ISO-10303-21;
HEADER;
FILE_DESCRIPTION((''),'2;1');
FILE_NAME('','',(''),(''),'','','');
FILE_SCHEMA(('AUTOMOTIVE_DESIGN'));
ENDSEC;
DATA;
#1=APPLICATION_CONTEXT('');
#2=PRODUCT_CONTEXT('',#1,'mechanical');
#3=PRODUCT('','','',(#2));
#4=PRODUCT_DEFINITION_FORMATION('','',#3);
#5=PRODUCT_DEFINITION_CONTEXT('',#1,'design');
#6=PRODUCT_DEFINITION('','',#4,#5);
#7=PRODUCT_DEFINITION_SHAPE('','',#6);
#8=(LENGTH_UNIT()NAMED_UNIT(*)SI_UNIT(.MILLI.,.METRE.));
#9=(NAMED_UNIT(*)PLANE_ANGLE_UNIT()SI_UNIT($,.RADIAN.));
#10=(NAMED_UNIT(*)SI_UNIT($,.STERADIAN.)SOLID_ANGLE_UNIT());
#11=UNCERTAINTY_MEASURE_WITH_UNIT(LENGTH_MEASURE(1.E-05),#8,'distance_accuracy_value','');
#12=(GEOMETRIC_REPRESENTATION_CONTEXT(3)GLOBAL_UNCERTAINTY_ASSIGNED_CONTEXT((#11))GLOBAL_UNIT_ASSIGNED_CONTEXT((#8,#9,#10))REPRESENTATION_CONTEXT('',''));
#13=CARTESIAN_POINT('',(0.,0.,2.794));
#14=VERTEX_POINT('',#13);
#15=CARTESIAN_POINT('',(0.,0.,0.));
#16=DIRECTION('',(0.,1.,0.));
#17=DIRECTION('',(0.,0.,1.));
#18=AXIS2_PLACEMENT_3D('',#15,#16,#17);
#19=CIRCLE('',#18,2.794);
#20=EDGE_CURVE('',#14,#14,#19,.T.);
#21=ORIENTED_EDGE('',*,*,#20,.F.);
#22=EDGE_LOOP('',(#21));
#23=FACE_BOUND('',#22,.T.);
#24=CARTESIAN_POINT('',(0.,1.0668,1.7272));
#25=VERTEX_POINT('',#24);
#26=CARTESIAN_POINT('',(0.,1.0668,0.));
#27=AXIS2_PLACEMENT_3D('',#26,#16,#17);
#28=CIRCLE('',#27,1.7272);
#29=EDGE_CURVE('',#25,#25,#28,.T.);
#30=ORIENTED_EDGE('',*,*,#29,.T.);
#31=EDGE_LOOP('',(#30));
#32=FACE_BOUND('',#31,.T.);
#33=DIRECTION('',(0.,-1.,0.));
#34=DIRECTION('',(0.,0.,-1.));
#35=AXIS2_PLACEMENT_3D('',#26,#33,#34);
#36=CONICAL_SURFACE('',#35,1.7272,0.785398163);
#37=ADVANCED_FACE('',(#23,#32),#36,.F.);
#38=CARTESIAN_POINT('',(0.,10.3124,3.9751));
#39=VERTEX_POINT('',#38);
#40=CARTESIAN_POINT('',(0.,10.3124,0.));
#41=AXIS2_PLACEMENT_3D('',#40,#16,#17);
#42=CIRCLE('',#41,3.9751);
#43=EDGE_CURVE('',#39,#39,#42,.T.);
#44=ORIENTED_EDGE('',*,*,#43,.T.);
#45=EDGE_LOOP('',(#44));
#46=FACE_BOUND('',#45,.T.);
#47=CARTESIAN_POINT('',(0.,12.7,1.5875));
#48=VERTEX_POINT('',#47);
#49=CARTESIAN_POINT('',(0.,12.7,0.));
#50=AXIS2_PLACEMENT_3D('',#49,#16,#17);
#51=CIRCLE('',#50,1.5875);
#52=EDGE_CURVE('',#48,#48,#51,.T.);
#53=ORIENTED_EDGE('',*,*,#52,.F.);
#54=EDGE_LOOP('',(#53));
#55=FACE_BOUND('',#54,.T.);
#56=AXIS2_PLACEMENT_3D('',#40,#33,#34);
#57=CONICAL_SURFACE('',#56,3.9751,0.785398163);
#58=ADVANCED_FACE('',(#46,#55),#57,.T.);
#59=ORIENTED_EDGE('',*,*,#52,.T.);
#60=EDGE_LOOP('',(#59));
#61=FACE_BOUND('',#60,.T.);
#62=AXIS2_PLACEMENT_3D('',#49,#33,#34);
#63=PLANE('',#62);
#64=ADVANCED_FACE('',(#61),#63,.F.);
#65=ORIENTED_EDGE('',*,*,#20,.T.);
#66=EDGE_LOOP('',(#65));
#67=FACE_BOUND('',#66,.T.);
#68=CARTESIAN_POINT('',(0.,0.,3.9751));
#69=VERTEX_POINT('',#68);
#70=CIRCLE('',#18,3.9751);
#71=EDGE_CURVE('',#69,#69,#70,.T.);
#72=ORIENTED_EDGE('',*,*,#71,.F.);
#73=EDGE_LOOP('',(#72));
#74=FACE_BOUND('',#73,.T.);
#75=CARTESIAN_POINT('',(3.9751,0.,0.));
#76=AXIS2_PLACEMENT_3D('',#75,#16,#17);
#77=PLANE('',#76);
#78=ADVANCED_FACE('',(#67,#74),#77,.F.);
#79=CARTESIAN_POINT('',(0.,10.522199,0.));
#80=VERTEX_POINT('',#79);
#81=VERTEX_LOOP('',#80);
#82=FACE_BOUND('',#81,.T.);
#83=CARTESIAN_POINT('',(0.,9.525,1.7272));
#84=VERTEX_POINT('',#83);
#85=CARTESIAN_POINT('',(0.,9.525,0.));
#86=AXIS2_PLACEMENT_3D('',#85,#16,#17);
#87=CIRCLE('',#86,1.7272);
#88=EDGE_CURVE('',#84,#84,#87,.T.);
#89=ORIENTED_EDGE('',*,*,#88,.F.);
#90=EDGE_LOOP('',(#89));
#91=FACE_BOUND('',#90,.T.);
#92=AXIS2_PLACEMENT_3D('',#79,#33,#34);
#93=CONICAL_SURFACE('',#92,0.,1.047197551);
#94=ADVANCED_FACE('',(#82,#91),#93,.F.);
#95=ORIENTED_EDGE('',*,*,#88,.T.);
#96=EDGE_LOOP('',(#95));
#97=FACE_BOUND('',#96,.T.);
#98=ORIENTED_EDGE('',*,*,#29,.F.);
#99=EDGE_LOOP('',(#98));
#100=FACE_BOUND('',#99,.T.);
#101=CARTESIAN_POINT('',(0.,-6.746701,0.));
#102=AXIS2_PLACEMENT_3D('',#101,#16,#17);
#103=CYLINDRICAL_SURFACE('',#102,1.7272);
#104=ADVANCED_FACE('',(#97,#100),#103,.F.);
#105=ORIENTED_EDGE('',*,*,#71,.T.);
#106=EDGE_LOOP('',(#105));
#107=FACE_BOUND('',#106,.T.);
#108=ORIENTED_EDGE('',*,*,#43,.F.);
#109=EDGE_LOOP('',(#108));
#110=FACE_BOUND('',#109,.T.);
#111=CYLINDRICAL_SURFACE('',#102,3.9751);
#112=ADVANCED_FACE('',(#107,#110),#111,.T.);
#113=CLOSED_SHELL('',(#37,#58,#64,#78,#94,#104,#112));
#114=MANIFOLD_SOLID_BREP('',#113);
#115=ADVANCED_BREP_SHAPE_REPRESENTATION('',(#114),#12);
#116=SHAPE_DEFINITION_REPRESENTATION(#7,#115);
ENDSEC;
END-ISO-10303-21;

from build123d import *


with BuildPart() as part:
    # Sketch1 → Revolve1 (revolve)
    with BuildSketch(Plane.XY, mode=Mode.PRIVATE) as revolve1_sk:
        Polygon((1.7272, 1.0668), (1.7272, 9.525), (0, 10.522199385), (0, 12.7), (1.5875, 12.7), (3.9751, 10.3124), (3.9751, 0), (2.794, 0), align=None)
    revolve(revolve1_sk.sketch.rotate(Axis((0, -6.746701152, 0), (0, -1, 0)), 90), axis=Axis((0, -6.746701152, 0), (0, -1, 0)))


solid = part.part
